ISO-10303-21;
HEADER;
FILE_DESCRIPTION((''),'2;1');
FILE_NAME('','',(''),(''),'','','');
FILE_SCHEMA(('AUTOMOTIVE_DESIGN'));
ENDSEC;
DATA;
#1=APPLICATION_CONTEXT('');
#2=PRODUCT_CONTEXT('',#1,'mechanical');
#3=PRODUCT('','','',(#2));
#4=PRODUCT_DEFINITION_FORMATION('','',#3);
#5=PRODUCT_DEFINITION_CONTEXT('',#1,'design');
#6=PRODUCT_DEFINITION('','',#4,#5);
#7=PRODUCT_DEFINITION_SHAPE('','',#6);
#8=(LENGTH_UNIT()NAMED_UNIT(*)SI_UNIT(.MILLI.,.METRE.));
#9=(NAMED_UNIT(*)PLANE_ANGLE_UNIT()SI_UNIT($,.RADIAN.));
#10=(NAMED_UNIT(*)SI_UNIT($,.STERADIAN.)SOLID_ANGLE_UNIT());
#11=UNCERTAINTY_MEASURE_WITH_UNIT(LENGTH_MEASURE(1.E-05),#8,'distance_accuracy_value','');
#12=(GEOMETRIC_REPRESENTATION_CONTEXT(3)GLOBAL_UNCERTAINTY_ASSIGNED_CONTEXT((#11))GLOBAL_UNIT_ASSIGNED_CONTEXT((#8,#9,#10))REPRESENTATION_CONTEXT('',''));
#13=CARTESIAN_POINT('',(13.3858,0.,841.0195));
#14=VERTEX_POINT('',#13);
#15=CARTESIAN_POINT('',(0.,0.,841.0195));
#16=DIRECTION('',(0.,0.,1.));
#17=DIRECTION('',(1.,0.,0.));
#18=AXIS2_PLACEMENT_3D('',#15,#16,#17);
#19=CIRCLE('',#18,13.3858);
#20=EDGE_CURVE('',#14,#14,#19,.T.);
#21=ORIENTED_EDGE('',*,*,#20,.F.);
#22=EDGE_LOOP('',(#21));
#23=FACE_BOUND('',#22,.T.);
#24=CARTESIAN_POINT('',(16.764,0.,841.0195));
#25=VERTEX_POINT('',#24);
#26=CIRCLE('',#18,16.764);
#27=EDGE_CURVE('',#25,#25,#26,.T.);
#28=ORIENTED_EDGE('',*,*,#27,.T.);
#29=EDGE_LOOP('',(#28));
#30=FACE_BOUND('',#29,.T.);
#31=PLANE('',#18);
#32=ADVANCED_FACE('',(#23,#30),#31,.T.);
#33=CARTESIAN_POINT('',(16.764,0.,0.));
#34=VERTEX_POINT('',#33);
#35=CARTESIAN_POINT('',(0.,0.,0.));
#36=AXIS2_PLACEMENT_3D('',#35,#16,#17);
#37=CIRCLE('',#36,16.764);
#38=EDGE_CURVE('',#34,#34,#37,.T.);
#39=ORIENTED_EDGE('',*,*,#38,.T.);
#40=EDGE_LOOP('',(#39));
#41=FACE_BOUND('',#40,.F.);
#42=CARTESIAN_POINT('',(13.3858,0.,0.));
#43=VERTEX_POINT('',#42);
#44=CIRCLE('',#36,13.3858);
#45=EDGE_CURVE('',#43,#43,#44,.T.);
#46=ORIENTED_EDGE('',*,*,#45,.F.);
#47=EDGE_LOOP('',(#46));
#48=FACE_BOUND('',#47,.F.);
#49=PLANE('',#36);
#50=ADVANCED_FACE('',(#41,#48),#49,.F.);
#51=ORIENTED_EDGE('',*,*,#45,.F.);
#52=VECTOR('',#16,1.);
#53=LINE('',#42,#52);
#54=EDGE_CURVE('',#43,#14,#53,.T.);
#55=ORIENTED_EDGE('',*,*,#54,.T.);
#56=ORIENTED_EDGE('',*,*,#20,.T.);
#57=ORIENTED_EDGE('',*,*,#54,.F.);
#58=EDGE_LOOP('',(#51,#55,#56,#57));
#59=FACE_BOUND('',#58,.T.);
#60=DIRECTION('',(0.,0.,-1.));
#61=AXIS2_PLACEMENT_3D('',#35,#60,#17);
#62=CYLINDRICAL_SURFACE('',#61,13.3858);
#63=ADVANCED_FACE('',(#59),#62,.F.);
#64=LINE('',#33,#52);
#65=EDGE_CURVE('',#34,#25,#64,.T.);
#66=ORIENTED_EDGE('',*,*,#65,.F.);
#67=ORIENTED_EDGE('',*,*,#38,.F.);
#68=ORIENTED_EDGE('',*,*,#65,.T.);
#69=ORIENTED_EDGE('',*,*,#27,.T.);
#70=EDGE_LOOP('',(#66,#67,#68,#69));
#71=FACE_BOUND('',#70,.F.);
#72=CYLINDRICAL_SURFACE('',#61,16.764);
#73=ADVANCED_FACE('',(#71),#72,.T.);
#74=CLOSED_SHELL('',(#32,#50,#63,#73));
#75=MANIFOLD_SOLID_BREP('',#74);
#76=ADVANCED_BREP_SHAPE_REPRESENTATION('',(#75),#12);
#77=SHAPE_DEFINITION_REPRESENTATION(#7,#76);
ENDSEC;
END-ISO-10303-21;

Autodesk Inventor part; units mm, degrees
ref_plane "YZ Plane" through (0, 0, 0) normal (1, 0, 0) x (0, 1, 0)
ref_plane "Start plane" through (0, 0, 0) normal (0, 0, 1) x (1, 0, 0)
ref_plane "End plane" through (0, 0, 841.0195) normal (0, 0, 1) x (1, 0, 0)
sketch "Sketch" plane through (0, 0, 0) normal (0, 0, 1) x (1, 0, 0)
  circle A0 centre (0, 0) radius 13.3858
  circle A1 centre (0, 0) radius 16.764
  dimension "d0" = 33.528
  dimension "d1" = 3.3782
extrude "Body" add sketch "Sketch" along normal up to surface (841.0195 mm away) from surface at 0
sketch "Sketch3" plane through (0, 0, 0) normal (0, 0, 1) x (1, 0, 0)
  line L0 (0, 0) -> (10, 0)
ref_plane "Work Plane3" through (0, 0, 0) normal (0, -1, 0) x (1, 0, 0)
sketch "Sketch4" plane through (0, 0, 0) normal (0, -1, 0) x (1, 0, 0)
  line L0 (-2, 0) -> (12, 0) projected
  line L1 (-2, 841.0195) -> (12, 841.0195) projected
  dimension "d7" = 841.0195
equation "\"d0\" = G_H"
equation "\"d1\" = G_T"
equation "\"d2\" = G_L"
equation "\"G_H\" = 33.528"
equation "\"G_T\" = 3.3782"
equation "\"G_L\" = d7"
equation "\"G_OFFSET_START\" = 0"
equation "\"G_OFFSET_END\" = 0"
equation "\"d5\" = G_OFFSET_END + B_L"
equation "\"B_L\" = 841.01946"
properties part number "ANSI - 1 x 0.133 - 33.111" material "Steel, Mild"
